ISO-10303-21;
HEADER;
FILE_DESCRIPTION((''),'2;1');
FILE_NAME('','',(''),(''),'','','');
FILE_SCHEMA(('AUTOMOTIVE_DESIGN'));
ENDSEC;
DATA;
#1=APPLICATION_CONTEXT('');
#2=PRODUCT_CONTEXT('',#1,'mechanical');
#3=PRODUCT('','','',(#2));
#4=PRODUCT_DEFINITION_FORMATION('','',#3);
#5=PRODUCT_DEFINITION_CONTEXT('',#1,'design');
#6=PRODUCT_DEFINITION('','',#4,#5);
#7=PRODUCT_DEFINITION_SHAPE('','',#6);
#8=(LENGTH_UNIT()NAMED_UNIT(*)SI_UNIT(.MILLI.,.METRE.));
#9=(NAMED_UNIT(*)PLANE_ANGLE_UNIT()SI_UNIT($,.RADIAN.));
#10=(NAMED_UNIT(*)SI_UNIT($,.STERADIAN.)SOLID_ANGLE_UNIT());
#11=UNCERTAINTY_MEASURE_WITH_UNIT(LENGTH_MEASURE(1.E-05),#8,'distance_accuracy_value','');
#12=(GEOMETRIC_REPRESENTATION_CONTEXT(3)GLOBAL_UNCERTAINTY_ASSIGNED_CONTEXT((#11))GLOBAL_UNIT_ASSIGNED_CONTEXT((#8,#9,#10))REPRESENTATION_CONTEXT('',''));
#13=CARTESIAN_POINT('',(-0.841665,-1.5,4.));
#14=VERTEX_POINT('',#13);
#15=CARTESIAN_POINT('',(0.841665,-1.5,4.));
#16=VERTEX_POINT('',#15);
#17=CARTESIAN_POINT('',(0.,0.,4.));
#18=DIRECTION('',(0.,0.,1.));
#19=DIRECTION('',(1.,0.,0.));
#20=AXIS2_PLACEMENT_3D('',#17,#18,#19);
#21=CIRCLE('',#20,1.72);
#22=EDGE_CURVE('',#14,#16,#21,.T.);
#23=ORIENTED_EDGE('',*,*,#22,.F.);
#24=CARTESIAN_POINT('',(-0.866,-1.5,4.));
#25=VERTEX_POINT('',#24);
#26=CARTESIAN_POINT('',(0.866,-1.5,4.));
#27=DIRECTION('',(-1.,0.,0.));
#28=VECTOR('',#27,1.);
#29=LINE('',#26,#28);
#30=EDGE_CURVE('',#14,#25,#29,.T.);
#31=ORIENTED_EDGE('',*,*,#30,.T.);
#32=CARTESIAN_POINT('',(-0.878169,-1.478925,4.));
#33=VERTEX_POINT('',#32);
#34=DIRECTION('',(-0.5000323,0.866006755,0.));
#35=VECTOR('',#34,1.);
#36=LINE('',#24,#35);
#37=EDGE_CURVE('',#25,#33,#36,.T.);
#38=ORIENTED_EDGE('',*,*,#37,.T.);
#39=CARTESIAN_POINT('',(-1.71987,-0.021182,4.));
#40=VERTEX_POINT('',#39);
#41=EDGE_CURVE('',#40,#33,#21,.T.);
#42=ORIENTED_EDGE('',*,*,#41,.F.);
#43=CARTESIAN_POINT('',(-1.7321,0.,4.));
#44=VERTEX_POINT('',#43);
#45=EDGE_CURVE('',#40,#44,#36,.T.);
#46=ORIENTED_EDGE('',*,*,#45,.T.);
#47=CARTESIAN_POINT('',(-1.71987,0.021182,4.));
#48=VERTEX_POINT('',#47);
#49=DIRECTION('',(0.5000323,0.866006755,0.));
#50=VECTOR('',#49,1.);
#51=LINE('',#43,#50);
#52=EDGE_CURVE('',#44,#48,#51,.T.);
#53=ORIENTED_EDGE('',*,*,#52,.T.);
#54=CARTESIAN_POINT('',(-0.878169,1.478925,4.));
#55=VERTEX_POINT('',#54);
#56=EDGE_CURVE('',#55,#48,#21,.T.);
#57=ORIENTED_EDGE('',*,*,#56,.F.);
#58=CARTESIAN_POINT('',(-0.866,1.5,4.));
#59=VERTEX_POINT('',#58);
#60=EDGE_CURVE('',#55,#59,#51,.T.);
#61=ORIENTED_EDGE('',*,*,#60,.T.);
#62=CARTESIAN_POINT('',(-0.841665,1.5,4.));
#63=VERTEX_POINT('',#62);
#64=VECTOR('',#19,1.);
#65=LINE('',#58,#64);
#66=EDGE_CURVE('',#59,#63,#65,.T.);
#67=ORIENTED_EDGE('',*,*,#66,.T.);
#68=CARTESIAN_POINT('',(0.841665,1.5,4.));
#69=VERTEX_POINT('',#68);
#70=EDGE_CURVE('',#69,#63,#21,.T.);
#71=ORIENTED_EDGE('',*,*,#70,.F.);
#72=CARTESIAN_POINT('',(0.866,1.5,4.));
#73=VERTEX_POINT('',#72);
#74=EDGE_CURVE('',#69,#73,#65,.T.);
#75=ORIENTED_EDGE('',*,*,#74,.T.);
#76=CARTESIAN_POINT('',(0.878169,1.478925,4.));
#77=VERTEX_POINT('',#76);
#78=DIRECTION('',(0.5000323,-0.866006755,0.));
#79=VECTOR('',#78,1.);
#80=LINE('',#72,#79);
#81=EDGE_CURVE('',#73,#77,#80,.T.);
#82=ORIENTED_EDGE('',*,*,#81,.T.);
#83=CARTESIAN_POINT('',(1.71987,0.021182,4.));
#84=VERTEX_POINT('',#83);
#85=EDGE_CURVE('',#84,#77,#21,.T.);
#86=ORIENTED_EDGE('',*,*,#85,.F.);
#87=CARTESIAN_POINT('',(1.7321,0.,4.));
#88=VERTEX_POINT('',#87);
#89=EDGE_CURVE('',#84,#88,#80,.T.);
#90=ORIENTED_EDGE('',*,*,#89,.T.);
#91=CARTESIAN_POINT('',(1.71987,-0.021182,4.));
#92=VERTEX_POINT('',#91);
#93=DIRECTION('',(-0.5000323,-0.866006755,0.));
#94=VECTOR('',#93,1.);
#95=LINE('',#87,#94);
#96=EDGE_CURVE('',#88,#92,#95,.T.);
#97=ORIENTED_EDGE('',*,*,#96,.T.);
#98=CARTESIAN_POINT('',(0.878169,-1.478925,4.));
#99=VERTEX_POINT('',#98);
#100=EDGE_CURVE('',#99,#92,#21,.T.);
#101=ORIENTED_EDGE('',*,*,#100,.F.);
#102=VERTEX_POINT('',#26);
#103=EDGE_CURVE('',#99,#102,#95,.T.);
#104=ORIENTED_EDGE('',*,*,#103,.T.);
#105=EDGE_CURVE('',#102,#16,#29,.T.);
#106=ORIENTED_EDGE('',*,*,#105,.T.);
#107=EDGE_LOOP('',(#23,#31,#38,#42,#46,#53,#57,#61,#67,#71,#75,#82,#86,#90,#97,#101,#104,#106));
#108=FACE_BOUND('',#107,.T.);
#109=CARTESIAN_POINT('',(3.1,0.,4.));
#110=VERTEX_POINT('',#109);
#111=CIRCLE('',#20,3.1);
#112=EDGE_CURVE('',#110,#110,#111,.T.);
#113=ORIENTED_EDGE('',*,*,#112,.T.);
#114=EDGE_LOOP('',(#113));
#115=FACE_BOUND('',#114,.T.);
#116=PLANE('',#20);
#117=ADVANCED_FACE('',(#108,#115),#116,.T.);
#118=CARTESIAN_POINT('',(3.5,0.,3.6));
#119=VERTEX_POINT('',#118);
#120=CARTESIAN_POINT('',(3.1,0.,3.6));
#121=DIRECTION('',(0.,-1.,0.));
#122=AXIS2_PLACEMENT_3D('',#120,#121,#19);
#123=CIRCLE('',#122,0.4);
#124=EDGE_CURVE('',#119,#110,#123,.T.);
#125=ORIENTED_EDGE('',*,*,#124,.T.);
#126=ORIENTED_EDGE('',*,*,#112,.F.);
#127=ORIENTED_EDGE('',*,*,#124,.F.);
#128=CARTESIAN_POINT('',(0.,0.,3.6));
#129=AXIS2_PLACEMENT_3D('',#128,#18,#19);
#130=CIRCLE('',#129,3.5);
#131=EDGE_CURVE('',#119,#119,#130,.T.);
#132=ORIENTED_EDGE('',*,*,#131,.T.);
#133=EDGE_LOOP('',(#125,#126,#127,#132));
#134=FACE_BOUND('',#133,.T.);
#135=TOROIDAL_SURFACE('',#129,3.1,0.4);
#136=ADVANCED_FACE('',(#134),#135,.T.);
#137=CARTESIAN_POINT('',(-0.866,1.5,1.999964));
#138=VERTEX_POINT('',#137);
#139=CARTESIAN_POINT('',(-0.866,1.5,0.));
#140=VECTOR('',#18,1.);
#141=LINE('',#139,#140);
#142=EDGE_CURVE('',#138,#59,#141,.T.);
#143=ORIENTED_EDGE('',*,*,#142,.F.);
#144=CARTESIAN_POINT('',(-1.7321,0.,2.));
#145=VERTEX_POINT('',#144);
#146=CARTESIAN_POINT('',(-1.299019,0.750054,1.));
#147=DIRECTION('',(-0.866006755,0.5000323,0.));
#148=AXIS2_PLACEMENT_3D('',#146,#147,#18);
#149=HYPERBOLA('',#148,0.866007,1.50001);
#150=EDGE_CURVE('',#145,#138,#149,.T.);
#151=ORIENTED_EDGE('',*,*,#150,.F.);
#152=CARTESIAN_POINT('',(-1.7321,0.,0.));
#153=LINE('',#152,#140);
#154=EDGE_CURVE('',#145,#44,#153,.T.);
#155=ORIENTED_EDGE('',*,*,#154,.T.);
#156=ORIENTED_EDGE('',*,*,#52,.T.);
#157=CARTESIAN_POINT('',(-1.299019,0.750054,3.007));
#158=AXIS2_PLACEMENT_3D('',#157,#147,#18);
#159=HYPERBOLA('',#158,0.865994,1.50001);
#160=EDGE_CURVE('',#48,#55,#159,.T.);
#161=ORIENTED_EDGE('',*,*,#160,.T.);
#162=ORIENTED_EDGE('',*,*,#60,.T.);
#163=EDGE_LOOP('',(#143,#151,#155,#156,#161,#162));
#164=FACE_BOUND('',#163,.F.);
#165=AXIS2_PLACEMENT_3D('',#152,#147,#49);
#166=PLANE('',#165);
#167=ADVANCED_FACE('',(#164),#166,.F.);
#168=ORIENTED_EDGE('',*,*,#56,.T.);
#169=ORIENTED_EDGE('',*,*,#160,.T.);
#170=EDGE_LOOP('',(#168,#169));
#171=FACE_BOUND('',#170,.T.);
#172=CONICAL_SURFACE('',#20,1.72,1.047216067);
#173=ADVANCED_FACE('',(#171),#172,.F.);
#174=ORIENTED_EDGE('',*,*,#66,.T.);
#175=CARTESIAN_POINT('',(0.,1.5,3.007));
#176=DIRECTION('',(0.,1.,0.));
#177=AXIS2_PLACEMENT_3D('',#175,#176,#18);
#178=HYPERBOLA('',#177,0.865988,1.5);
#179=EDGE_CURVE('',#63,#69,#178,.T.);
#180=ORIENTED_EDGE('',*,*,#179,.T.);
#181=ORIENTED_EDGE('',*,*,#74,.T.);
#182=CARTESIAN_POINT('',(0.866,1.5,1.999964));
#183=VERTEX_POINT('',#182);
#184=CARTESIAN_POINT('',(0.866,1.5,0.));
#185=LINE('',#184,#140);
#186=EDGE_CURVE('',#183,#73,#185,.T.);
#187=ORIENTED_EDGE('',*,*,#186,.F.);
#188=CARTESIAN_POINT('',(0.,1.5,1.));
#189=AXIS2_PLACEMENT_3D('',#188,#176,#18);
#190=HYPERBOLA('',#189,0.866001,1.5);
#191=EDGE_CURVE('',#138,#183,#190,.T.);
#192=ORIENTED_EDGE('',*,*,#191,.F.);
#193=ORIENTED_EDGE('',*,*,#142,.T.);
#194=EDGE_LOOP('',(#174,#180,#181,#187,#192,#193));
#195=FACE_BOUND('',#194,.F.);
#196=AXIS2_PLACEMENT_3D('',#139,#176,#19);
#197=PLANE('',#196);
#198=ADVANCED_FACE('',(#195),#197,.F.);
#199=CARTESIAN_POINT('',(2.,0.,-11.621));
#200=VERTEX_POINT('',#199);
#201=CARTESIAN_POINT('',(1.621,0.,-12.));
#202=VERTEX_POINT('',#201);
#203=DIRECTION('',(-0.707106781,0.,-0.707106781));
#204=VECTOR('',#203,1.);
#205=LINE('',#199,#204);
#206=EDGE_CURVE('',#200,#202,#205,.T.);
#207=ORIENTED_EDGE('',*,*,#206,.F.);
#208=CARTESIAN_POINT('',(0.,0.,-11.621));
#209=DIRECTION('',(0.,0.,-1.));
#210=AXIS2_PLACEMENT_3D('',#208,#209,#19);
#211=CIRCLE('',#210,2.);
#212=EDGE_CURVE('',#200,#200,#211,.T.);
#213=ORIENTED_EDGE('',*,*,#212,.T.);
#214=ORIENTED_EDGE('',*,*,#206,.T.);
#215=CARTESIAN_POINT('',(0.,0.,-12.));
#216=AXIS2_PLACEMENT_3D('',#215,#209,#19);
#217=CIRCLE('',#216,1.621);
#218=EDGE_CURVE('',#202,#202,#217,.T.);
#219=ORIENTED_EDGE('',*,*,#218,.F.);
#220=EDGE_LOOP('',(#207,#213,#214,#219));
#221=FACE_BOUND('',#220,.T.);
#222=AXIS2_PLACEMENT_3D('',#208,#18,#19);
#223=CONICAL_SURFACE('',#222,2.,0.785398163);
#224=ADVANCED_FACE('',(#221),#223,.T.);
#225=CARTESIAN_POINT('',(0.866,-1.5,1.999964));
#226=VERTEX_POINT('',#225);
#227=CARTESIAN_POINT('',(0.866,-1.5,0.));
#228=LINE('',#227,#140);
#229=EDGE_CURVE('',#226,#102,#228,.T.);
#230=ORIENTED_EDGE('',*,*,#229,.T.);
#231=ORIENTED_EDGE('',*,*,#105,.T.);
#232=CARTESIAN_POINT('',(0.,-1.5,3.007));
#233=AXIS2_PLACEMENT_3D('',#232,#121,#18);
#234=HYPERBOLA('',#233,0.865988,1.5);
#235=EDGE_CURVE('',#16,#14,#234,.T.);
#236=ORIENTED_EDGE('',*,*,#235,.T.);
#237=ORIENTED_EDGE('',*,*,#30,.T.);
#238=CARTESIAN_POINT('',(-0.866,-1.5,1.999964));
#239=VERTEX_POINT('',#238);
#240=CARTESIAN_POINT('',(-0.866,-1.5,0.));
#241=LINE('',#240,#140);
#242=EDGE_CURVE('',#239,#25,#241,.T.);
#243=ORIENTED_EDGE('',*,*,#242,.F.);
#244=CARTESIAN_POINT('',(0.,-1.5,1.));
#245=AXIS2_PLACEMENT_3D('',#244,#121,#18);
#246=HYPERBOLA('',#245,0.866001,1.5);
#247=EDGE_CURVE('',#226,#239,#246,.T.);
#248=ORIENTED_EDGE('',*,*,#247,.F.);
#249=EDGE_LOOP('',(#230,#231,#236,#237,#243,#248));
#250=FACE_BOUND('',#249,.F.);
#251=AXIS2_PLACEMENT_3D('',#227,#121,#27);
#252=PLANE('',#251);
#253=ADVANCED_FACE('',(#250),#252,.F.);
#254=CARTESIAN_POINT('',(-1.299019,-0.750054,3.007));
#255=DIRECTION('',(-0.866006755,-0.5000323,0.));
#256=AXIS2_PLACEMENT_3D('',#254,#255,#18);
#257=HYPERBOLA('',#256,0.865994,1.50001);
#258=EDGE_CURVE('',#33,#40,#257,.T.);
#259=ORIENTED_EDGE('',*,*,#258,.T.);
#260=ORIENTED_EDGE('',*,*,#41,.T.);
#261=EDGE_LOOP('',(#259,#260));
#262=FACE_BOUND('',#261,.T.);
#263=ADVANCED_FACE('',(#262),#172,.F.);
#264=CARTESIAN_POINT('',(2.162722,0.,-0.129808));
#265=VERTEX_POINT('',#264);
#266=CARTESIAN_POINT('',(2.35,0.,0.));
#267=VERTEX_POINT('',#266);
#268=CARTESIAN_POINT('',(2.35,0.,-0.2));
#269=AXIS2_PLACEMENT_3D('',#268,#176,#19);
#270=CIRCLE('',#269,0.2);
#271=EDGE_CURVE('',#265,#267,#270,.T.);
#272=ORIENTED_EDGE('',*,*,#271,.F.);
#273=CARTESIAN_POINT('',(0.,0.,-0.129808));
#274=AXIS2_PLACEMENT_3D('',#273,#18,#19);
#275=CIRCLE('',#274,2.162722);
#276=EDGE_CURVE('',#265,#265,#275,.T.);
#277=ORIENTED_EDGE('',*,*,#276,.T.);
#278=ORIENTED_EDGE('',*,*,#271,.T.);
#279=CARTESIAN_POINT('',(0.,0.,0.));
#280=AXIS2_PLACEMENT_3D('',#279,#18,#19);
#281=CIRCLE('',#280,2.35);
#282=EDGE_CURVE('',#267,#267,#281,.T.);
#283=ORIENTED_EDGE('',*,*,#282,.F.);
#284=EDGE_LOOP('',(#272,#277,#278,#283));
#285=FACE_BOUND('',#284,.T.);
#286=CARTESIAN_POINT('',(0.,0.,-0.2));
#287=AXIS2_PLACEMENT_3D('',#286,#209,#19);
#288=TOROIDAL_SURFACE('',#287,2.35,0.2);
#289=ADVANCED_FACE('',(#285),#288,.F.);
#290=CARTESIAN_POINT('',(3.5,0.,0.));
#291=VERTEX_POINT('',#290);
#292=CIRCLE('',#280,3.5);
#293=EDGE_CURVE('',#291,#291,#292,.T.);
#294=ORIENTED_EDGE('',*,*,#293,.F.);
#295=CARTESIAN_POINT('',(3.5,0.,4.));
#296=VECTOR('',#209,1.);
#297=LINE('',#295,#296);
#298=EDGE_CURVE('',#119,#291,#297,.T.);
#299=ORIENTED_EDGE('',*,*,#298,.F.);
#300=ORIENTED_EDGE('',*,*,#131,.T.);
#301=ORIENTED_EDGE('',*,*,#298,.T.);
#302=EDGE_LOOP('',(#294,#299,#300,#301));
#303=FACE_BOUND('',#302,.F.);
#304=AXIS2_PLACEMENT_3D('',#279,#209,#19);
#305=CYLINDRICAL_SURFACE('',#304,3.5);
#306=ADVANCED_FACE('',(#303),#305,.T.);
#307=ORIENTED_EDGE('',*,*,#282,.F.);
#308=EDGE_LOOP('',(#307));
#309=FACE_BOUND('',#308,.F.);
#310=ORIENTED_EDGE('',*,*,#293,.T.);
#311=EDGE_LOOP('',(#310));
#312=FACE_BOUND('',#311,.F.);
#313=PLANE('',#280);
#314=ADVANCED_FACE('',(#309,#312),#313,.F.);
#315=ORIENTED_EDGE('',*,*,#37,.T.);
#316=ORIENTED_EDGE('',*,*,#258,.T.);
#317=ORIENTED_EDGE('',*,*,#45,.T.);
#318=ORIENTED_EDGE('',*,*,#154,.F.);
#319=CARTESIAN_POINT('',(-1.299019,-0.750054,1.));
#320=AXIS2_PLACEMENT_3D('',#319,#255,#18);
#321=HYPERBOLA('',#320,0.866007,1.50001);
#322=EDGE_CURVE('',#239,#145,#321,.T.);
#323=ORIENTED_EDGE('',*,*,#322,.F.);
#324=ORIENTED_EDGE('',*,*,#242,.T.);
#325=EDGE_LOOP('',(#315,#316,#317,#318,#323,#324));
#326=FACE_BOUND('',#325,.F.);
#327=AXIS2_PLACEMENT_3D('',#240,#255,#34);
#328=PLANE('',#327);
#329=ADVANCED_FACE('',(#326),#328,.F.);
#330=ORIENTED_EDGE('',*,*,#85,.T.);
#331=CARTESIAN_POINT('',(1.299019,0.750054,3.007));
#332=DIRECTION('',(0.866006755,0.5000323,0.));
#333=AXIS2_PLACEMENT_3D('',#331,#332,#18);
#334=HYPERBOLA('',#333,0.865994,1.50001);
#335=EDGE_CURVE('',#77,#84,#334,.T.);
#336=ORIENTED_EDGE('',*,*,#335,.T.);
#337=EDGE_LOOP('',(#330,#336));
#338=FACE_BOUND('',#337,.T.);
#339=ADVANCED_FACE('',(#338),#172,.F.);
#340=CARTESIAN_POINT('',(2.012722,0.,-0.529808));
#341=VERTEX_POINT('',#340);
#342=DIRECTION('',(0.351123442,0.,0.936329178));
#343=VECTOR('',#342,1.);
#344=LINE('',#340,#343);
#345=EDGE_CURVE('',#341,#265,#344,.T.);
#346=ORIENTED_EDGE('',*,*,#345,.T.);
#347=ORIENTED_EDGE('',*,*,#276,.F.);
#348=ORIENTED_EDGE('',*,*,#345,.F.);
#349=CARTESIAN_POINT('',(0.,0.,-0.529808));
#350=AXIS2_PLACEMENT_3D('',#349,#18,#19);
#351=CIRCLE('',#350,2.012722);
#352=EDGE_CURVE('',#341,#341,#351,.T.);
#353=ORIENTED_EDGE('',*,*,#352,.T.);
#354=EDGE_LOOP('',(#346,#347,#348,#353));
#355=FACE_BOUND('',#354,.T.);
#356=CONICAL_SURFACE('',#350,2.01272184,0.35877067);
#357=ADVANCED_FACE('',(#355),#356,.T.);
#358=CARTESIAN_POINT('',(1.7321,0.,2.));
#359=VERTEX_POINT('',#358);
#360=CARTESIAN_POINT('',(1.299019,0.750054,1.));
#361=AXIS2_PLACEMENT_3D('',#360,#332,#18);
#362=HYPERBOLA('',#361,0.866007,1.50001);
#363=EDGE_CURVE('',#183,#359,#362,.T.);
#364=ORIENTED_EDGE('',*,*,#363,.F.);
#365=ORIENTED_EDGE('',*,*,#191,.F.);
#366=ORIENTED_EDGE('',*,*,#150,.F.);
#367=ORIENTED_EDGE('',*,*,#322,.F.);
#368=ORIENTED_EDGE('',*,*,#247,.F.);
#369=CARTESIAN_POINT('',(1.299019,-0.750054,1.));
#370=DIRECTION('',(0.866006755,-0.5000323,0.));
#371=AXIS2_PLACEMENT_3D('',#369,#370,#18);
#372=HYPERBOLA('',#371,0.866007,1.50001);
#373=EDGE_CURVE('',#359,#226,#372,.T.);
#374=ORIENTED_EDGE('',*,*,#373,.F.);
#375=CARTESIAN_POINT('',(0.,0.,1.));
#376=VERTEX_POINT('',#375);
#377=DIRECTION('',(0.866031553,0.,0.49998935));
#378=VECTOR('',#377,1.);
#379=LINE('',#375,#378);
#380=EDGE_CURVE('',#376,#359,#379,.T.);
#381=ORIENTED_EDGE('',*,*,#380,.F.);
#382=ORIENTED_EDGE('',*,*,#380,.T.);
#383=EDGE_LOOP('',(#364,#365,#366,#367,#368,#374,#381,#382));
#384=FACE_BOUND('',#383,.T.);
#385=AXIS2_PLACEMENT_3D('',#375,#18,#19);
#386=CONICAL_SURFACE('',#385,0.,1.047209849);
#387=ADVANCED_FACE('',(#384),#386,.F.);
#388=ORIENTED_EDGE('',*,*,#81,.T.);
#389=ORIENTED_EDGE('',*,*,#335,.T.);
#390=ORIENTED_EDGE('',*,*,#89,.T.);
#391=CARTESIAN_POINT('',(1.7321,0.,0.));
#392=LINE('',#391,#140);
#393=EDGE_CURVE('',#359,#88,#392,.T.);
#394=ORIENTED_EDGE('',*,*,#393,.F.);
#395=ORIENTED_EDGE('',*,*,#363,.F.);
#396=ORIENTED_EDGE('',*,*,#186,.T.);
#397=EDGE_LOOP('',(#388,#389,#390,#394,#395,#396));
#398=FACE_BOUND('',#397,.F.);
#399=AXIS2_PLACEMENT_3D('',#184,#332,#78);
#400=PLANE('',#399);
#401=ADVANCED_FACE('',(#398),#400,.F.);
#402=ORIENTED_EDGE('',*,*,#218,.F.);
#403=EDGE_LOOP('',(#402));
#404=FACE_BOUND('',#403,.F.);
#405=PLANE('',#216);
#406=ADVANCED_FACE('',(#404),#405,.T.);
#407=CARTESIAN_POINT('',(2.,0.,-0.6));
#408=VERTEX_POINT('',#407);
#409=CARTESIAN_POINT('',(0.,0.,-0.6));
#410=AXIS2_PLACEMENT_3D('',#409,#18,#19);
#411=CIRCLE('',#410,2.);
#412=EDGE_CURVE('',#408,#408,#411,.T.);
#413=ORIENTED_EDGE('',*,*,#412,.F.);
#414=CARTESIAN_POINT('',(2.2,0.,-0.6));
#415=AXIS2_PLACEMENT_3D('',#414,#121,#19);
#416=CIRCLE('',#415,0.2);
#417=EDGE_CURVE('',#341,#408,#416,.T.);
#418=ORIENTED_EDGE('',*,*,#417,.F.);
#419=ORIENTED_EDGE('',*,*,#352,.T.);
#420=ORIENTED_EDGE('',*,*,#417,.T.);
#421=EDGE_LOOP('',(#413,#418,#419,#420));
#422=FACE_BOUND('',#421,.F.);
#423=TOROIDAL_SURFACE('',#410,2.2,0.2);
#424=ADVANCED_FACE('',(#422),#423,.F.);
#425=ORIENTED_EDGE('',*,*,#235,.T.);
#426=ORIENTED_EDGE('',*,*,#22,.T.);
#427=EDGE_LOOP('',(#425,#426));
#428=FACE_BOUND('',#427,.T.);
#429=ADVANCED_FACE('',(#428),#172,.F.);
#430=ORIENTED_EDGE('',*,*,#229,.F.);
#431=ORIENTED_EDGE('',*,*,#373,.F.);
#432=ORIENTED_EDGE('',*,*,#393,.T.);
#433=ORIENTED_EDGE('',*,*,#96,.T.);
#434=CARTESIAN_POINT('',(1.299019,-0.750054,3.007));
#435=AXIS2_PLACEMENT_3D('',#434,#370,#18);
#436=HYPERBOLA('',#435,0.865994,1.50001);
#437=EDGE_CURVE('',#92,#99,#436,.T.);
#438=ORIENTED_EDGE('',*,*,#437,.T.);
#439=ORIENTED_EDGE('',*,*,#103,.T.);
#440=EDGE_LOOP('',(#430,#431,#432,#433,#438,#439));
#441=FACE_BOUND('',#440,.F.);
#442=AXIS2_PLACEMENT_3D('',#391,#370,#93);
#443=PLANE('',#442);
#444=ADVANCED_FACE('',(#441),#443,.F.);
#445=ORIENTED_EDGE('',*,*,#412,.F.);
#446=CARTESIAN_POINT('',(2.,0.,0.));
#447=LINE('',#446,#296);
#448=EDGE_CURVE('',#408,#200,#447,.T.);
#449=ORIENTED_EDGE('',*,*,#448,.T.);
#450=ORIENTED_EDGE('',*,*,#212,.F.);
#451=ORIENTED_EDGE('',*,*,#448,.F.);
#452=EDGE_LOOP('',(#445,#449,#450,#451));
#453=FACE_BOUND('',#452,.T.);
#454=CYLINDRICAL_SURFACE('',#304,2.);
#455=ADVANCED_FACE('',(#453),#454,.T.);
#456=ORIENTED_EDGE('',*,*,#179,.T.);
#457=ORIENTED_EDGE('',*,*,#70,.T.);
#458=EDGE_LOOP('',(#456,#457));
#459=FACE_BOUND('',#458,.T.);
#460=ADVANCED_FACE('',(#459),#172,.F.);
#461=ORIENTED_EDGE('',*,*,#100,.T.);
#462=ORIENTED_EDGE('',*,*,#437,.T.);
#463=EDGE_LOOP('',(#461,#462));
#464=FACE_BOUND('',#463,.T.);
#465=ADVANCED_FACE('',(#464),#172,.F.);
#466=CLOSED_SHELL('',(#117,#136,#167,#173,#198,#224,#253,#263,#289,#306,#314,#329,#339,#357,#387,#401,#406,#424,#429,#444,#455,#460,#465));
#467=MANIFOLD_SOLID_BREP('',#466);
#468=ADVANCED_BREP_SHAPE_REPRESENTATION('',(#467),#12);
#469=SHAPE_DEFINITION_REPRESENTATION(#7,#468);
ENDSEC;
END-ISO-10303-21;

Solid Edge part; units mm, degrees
sketch "Sketch1" plane through (0, 0, 0) normal (0, 0, 1) x (1, 0, 0)
  line L0 (-0.866, 1.5) -> (0.866, 1.5)
  line L1 (0.866, 1.5) -> (1.7321, 0)
  line L2 (1.7321, 0) -> (0.866, -1.5)
  line L3 (0.866, -1.5) -> (-0.866, -1.5)
  line L4 (-0.866, -1.5) -> (-1.7321, 0)
  line L5 (-1.7321, 0) -> (-0.866, 1.5)
  circle A0 centre (0, 0) radius 3.5
  dimension "D1" = 7
  dimension "D2" = 3
extrude "Protrusion1" add sketch "Sketch1" along normal blind 4
sketch "Sketch2" plane through (0, 0, 0) normal (0, -1, 0) x (1, 0, 0)
  line L0 (0, 1) -> (1.7321, 2)
  line L1 (1.7321, 2) -> (3.5, 2)
  line L2 (3.5, 2) -> (3.5, 0)
  line L3 (3.5, 0) -> (2, 0)
  line L4 (2, 0) -> (2, -0.6)
  line L5 (2, -0.6) -> (2, -0.601) construction
  line L6 (2, -0.601) -> (2, -0.601) construction
  line L7 (2, -0.601) -> (2, -12)
  line L8 (0, -12) -> (2, -12)
  dimension "D1" = 11.399
  dimension "D2" = 2
  dimension "D3" = 2
  dimension "D4" = 3.5
  dimension "D5" = 2
  dimension "D6" = 14
  dimension "D7" = 0.001
  dimension "D8" = 1.5
  dimension "D9" = 1.5
revolve "RevolvedProtrusion_1" add sketch "Sketch2" angle 360 about axis through (0, 0, 2.3333) along (0, 0, -1)
cosmetic_thread "Thread_1" size "M4" thread depth 11.398
sketch "Sketch3" plane through (0, 0, 0) normal (0, -1, 0) x (1, 0, 0)
  line L0 (0, 5) -> (1.72, 5)
  line L1 (1.72, 5) -> (1.72, 4)
  line L2 (1.72, 4) -> (0, 3.007)
  dimension "D1" = 1.72
  dimension "D2" = 1
  dimension "D3" = 5
revolve "RevolvedCutout_1" cut sketch "Sketch3" angle 360 about axis through (0, 0, 7.1999) along (0, 0, 1)
fillet "Round_1" radius 0.4 1 edges at (-3.5, 0, 4)
sketch "Sketch4" plane through (0, 0, 0) normal (0, -1, 0) x (1, 0, 0)
  line L0 (2, 0) -> (2.35, 0)
  arc A0 (2.1627, -0.1298) -> (2.35, 0) centre (2.35, -0.2) cw
  line L1 (2.0127, -0.5298) -> (2.1627, -0.1298)
  arc A1 (2.0127, -0.5298) -> (2, -0.6) centre (2.2, -0.6) ccw
  line L2 (2, 0) -> (2, -0.6)
  dimension "D1" = 0.6
  dimension "D2" = 2
  dimension "D3" = 0.6
  dimension "D4" = 0.35
  dimension "D5" = 0.2
revolve "RevolvedProtrusion_2" add sketch "Sketch4" angle 360 about axis through (0, 0, -1.02) along (0, 0, 1)
chamfer "Chamfer_1" distance 0.379 angle 45 1 edges at (-2, 0, -12)
properties material "Acier"
